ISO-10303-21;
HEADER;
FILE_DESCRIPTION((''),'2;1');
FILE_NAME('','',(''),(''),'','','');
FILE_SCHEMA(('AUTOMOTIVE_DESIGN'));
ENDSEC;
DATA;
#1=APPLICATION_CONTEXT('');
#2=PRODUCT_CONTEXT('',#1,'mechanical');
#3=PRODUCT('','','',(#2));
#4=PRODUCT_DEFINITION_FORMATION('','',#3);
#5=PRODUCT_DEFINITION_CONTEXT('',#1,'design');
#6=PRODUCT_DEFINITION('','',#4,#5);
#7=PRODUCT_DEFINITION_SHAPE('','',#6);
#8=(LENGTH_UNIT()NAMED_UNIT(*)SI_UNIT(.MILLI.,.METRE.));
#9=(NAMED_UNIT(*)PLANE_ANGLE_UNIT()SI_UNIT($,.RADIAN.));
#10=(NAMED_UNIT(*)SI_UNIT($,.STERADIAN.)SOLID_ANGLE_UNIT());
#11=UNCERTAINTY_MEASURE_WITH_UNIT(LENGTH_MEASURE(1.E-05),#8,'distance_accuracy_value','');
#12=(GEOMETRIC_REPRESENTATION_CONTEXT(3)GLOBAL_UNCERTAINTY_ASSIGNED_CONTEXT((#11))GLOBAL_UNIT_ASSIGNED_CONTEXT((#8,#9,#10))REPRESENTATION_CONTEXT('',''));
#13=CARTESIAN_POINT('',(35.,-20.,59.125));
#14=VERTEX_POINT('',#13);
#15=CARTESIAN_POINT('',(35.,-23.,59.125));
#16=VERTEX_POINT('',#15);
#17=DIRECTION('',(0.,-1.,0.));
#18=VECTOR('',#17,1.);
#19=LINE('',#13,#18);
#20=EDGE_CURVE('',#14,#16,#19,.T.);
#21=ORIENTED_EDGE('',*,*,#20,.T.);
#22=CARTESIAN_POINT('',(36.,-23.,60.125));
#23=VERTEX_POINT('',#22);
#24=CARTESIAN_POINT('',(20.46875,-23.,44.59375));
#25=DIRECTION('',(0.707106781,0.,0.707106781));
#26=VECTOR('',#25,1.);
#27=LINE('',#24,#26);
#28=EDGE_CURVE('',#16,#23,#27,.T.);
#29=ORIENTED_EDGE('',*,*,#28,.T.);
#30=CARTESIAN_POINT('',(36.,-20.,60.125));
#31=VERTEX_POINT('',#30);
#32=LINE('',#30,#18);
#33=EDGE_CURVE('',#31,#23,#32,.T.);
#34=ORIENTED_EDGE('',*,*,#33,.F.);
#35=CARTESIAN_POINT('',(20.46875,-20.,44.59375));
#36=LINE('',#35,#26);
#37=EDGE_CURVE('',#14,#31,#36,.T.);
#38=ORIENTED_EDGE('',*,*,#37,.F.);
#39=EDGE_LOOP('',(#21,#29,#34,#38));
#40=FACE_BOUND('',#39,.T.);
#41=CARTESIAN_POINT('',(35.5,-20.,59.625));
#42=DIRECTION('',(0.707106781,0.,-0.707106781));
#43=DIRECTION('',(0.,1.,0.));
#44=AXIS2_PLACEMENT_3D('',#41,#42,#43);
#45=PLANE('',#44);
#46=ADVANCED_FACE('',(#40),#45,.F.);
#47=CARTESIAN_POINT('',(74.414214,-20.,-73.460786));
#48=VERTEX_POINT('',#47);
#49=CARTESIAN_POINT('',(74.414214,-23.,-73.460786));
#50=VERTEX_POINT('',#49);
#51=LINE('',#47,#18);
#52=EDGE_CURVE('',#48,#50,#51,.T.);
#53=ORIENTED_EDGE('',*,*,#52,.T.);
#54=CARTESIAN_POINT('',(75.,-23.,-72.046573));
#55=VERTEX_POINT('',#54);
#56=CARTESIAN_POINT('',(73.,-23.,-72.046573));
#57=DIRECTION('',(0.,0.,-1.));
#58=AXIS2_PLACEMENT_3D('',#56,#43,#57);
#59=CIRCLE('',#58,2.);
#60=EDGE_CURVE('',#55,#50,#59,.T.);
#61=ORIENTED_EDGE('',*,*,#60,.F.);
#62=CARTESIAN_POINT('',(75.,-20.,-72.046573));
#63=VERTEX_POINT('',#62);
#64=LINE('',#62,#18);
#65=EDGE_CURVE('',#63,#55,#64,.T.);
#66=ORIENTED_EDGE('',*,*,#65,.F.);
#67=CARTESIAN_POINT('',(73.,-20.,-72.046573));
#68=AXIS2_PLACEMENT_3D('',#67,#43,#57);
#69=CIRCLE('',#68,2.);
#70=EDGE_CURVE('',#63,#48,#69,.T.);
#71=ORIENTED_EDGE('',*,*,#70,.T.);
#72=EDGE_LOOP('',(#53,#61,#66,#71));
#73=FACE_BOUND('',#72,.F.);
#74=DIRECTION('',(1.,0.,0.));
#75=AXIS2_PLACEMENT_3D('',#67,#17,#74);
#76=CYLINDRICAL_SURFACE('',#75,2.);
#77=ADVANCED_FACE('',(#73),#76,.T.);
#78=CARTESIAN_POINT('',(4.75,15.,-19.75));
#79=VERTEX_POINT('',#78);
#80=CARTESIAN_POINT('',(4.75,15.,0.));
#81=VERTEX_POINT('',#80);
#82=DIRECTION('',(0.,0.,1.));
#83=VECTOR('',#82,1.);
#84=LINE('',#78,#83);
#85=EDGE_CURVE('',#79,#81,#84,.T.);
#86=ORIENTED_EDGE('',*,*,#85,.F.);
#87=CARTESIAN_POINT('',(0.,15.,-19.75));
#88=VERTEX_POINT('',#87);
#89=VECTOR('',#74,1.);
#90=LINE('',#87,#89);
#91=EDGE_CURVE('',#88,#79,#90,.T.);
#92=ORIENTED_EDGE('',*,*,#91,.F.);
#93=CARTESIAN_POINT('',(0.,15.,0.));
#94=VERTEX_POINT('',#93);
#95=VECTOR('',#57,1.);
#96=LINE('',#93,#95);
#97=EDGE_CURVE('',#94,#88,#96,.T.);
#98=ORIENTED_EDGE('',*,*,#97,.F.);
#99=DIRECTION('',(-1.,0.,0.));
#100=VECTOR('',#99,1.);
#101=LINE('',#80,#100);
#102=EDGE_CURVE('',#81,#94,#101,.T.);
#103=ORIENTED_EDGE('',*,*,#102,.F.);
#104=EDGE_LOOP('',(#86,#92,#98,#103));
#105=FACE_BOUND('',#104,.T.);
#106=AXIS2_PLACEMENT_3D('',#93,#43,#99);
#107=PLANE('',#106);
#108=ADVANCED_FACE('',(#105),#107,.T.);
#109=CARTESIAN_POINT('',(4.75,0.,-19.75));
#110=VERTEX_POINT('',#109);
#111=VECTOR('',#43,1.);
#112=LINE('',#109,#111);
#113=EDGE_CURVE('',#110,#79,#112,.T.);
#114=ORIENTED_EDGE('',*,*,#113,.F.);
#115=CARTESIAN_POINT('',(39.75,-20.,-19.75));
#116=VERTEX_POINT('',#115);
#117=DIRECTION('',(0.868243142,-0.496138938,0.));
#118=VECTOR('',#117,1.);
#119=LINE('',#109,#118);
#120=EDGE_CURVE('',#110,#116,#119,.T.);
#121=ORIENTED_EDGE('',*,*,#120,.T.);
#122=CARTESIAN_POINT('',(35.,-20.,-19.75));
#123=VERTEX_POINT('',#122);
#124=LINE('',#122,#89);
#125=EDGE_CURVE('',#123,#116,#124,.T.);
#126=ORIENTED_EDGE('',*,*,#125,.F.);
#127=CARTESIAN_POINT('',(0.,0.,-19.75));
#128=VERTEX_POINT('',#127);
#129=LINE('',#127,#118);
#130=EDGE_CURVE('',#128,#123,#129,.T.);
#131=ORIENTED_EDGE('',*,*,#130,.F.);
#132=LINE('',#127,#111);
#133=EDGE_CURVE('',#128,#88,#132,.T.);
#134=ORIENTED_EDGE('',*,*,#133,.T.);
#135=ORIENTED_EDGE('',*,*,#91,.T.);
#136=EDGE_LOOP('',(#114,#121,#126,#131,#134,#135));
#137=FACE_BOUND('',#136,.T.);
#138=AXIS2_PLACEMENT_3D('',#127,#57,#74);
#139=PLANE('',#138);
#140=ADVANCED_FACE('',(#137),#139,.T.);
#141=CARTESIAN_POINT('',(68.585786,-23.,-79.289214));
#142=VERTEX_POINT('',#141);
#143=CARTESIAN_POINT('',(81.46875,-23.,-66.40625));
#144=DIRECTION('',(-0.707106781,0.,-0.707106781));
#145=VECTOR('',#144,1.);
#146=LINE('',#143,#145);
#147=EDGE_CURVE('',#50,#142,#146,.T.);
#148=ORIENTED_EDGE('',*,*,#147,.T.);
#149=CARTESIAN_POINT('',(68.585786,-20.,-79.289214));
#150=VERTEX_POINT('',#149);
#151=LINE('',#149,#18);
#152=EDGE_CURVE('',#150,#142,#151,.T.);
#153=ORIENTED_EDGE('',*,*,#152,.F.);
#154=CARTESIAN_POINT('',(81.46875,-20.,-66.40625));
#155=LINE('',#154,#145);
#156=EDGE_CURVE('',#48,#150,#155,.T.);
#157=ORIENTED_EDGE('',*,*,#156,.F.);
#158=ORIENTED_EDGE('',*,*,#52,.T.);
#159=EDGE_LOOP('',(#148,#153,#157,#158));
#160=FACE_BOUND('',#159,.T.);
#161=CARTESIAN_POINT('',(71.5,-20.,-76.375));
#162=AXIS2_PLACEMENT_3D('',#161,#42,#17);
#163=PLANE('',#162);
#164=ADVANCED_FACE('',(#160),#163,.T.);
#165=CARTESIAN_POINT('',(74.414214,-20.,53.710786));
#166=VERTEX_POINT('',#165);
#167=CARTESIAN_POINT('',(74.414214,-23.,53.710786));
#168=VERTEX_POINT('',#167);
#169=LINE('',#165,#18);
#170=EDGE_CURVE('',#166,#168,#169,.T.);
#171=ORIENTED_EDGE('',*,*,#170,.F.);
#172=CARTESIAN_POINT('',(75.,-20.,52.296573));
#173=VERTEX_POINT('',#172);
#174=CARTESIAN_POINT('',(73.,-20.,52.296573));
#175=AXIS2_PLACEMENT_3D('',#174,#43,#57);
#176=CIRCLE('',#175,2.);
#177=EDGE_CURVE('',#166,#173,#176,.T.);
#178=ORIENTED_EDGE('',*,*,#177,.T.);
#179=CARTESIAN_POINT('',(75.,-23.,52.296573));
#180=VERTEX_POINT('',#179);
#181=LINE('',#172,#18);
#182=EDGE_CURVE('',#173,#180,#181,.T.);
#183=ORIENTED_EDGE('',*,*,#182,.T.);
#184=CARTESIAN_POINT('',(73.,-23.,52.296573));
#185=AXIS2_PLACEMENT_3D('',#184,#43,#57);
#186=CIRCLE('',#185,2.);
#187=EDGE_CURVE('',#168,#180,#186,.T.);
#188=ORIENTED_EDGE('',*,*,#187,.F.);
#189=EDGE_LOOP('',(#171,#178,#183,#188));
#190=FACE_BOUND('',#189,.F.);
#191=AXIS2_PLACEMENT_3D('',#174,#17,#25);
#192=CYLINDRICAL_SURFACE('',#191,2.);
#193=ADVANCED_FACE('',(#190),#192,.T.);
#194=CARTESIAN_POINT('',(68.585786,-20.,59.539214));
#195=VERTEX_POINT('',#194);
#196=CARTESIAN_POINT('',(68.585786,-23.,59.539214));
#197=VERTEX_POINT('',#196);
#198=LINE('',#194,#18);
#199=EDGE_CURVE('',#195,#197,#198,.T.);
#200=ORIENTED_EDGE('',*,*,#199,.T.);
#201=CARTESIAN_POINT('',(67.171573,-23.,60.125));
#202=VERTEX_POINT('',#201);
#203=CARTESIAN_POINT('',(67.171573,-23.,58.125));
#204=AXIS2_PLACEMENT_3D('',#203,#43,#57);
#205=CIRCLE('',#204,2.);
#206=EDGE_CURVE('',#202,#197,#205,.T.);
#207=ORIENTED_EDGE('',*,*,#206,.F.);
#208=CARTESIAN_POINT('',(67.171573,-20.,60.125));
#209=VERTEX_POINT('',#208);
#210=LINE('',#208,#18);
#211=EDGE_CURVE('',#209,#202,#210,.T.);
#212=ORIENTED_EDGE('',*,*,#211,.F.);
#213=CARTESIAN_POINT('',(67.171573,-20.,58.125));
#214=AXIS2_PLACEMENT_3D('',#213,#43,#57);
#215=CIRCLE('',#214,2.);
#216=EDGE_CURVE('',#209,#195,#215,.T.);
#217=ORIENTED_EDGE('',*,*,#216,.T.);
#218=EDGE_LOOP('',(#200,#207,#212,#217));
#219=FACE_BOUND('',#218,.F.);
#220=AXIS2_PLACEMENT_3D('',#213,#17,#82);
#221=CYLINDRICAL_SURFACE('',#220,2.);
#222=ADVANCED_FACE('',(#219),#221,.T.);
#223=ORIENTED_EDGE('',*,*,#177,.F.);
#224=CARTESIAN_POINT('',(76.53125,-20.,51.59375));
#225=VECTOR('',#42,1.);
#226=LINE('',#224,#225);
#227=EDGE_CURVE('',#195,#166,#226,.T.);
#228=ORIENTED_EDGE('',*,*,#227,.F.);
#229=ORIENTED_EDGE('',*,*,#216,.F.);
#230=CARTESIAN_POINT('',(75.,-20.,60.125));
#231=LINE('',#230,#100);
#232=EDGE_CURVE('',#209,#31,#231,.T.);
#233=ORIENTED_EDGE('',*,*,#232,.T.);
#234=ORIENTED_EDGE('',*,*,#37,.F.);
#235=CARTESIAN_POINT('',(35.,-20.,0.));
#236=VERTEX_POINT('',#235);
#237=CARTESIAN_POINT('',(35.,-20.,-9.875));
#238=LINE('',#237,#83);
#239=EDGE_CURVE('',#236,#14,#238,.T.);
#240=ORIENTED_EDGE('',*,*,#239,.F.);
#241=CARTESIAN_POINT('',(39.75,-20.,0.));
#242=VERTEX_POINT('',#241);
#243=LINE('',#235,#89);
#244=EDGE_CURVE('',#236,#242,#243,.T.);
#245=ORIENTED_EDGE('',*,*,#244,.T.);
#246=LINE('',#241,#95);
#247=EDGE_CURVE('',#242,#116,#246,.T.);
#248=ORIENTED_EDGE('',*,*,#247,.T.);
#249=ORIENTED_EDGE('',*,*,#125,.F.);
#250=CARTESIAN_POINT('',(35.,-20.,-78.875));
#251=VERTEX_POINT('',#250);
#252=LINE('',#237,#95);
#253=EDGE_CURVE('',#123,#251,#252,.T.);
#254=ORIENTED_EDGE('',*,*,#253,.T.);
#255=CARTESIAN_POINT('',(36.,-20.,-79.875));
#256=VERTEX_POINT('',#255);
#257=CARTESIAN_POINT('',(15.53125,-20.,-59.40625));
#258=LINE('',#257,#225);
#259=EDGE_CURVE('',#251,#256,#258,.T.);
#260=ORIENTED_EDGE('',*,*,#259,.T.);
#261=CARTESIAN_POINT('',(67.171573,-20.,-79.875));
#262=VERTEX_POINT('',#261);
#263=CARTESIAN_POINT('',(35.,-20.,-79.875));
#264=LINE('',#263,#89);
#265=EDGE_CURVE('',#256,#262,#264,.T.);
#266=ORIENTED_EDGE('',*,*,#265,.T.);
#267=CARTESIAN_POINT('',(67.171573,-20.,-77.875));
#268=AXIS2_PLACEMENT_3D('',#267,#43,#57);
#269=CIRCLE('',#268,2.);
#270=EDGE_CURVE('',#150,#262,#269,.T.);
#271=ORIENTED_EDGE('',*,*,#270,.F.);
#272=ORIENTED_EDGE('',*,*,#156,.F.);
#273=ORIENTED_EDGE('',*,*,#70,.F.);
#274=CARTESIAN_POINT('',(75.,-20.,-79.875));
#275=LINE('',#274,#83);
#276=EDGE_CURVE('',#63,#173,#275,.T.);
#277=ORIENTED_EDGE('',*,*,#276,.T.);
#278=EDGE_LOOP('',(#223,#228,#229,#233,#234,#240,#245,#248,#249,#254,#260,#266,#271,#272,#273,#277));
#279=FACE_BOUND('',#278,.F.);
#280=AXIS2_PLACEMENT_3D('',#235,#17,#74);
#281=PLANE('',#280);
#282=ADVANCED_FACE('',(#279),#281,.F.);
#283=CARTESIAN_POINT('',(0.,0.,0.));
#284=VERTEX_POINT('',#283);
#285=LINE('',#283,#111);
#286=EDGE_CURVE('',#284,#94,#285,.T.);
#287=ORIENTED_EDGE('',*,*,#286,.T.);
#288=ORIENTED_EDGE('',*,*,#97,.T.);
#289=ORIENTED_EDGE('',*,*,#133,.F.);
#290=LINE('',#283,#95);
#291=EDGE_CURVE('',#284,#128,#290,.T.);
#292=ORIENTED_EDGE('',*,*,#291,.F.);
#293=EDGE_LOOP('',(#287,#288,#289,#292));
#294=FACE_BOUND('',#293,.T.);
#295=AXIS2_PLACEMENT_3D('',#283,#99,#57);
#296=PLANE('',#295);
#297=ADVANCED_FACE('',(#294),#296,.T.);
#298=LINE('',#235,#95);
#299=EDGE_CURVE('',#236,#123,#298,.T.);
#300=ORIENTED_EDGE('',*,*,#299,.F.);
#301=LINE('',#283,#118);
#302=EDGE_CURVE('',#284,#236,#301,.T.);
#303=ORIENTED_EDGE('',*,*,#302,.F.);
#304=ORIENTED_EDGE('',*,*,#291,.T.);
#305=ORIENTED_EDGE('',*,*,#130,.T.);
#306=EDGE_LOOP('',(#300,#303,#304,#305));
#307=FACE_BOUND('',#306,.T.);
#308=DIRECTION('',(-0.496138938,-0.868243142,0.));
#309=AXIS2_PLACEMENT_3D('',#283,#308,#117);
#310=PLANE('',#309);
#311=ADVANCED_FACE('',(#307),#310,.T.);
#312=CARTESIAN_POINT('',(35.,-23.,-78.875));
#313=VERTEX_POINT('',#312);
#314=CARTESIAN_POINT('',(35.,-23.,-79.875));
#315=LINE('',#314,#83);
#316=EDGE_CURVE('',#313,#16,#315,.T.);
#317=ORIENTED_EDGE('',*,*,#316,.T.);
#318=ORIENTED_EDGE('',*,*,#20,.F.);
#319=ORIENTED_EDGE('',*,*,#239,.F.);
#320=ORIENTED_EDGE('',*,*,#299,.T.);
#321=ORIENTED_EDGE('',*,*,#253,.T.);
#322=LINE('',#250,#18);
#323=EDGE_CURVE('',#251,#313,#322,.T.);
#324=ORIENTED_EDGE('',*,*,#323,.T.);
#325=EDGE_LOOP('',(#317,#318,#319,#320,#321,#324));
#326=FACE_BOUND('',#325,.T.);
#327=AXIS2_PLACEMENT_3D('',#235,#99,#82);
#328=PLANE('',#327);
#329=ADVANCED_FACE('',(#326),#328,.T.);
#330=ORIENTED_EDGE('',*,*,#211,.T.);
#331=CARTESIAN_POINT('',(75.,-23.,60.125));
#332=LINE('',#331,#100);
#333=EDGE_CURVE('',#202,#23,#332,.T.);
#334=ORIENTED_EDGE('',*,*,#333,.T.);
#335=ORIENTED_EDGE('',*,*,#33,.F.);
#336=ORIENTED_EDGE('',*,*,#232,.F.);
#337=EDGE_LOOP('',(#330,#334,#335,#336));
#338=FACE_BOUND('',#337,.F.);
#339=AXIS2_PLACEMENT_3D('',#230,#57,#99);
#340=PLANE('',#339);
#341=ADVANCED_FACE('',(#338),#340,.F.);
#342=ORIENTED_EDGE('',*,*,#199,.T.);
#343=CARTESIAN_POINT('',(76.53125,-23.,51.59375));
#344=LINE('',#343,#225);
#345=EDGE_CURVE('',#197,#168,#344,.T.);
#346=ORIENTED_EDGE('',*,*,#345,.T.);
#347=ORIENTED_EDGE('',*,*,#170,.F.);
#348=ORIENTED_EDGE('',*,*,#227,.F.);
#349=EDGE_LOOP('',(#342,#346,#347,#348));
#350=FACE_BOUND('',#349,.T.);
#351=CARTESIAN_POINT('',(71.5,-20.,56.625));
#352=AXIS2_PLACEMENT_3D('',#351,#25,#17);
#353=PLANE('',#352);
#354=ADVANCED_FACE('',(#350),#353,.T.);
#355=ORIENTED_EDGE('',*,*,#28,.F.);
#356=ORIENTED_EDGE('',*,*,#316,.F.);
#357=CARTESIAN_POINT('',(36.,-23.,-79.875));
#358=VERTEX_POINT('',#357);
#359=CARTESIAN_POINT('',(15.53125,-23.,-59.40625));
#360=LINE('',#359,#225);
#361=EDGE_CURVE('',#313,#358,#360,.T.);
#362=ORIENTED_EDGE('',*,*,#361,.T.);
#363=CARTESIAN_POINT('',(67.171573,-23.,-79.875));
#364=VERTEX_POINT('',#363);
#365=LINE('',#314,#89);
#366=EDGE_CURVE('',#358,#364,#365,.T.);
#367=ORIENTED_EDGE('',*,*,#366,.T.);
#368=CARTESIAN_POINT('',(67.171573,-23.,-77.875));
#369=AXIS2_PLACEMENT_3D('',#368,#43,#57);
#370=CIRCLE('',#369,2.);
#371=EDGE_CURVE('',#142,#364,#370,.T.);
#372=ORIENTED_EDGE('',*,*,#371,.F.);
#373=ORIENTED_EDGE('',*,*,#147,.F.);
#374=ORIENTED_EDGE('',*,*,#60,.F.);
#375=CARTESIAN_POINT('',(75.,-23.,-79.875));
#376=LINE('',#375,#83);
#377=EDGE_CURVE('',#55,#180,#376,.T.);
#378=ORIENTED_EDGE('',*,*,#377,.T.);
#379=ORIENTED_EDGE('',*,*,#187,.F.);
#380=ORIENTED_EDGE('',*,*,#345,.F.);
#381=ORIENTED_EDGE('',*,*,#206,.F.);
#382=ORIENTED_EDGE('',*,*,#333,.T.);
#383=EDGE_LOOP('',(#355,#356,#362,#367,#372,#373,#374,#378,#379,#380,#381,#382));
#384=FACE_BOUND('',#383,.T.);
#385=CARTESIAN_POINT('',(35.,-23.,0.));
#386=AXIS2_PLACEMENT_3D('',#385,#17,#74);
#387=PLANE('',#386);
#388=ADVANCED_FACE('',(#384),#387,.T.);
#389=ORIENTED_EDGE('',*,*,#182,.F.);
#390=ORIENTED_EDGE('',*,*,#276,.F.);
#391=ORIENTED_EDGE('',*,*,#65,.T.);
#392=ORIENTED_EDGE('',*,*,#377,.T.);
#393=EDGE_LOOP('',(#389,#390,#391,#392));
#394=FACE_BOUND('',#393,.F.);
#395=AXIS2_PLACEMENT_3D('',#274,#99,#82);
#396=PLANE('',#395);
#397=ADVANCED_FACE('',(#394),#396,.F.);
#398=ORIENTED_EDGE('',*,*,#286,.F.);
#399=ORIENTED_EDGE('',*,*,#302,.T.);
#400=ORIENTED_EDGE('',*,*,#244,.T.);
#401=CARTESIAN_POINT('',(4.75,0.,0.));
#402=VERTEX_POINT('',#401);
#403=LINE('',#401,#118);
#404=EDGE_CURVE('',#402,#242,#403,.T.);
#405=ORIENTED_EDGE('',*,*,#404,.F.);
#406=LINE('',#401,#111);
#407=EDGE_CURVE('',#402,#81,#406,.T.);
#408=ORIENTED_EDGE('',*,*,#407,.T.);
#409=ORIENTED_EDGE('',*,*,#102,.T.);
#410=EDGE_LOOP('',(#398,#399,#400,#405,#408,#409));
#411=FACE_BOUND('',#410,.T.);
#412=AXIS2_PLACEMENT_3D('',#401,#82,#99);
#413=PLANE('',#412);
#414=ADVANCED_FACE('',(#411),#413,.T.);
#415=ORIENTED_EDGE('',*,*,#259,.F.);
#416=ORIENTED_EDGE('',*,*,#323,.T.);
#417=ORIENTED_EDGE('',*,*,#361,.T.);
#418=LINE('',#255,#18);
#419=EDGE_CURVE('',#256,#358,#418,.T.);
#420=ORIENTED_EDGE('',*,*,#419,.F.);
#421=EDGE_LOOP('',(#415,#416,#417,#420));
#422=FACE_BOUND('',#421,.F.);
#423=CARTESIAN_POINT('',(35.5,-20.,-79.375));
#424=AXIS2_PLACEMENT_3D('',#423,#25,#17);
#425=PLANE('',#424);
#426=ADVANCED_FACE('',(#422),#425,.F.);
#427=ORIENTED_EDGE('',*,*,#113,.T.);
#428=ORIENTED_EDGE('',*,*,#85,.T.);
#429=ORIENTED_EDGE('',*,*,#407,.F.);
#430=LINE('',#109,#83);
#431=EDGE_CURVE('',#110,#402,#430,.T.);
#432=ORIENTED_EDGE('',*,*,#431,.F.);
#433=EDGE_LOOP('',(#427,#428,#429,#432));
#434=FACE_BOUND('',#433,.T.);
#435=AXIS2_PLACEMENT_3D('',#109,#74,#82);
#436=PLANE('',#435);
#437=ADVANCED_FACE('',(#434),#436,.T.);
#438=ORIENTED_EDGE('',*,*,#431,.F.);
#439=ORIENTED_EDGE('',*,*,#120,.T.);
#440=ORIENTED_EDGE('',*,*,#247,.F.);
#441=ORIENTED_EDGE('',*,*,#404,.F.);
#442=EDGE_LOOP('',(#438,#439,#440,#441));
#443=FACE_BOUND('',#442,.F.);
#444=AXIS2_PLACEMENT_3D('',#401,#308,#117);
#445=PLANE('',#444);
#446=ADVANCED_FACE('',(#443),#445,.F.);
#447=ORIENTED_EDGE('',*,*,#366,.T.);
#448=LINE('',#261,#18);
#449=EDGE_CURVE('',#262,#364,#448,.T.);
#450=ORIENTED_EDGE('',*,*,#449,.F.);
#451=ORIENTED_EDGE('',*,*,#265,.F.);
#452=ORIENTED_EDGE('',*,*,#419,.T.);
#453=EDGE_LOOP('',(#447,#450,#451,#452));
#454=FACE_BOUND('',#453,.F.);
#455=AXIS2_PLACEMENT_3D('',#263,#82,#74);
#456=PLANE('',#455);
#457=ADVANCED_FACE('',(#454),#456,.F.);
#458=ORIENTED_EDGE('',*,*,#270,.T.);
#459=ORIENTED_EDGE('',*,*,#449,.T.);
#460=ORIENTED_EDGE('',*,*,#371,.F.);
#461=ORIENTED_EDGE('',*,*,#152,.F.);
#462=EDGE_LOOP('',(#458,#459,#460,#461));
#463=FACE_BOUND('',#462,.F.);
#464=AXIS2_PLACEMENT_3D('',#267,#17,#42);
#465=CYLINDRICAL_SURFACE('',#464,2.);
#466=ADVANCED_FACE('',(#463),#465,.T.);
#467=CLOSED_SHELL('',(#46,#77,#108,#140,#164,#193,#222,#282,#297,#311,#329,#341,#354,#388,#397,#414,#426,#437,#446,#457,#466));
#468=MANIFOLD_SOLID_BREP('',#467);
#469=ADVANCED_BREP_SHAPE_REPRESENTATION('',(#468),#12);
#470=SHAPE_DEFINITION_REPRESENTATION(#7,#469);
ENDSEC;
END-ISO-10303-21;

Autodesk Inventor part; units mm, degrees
ref_plane "YZ Plane" through (0, 0, 0) normal (1, 0, 0) x (0, 1, 0)
ref_plane "XZ Plane" through (0, 0, 0) normal (0, 1, 0) x (-1, 0, 0)
ref_plane "XY Plane" through (0, 0, 0) normal (0, 0, 1) x (1, 0, 0)
sketch "Sketch1" plane through (0, 0, 0) normal (0, 1, 0) x (-1, 0, 0)
  line L0 (0, 0) -> (0, -19.75)
  line L1 (0, -19.75) -> (-4.75, -19.75)
  line L2 (-4.75, -19.75) -> (-4.75, 0)
  line L3 (-4.75, 0) -> (0, 0)
  dimension "d0" = 19.75
  dimension "d1" = 4.75
extrude "Extrusion1" add sketch "Sketch1" along normal blind 15
sketch "Sketch3" plane through (0, 0, 0) normal (0, 0, 1) x (1, 0, 0)
  line L0 (0, 0) -> (0, -60)
  line L1 (4.75, 0) -> (0, 0) projected
  line L2 (0, 0) -> (0, -55)
  line L3 (0, 0) -> (0, -50)
  line L4 (0, 0) -> (35, 0)
  line L5 (4.75, 0) -> (39.75, 0)
  line L6 (0, 0) -> (35, -20)
  line L7 (4.75, 0) -> (39.75, -20)
  line L8 (35, -20) -> (39.75, -20)
  dimension "d4" = 60
  dimension "d5" = 55
  dimension "d6" = 50
  dimension "d7" = 35
  dimension "d8" = 35
  dimension "d23" = 20
  dimension "d24" = 20
extrude "Extrusion2" add sketch "Sketch3" against normal blind 19.75
sketch "Sketch4" plane through (35, -20, 0) normal (0, -1, 0) x (1, 0, 0)
  line L0 (0, 0) -> (0, -19.75) projected
  line L1 (0, -9.875) -> (0, 60.125)
  line L2 (0, -9.875) -> (0, -79.875)
  line L3 (0, -79.875) -> (40, -79.875)
  line L4 (40, -79.875) -> (40, 60.125)
  line L5 (40, 60.125) -> (0, 60.125)
  point P0 (-35, 0)
  dimension "d11" = 70
  dimension "d12" = 70
  dimension "d13" = 40
extrude "Extrusion3" add sketch "Sketch4" along normal blind 3
chamfer "Chamfer1" distance 1 angle 45 2 edges at (35, -21.5, 60.125) (35, -21.5, -79.875)
chamfer "Chamfer2" distance 7 angle 45 2 edges at (75, -21.5, 60.125) (75, -21.5, -79.875)
fillet "Fillet1" radius 2 4 edges at (75, -21.5, 53.125) (68, -21.5, 60.125) (75, -21.5, -72.875) (68, -21.5, -79.875)
properties part number "DudukanLineSensor"
